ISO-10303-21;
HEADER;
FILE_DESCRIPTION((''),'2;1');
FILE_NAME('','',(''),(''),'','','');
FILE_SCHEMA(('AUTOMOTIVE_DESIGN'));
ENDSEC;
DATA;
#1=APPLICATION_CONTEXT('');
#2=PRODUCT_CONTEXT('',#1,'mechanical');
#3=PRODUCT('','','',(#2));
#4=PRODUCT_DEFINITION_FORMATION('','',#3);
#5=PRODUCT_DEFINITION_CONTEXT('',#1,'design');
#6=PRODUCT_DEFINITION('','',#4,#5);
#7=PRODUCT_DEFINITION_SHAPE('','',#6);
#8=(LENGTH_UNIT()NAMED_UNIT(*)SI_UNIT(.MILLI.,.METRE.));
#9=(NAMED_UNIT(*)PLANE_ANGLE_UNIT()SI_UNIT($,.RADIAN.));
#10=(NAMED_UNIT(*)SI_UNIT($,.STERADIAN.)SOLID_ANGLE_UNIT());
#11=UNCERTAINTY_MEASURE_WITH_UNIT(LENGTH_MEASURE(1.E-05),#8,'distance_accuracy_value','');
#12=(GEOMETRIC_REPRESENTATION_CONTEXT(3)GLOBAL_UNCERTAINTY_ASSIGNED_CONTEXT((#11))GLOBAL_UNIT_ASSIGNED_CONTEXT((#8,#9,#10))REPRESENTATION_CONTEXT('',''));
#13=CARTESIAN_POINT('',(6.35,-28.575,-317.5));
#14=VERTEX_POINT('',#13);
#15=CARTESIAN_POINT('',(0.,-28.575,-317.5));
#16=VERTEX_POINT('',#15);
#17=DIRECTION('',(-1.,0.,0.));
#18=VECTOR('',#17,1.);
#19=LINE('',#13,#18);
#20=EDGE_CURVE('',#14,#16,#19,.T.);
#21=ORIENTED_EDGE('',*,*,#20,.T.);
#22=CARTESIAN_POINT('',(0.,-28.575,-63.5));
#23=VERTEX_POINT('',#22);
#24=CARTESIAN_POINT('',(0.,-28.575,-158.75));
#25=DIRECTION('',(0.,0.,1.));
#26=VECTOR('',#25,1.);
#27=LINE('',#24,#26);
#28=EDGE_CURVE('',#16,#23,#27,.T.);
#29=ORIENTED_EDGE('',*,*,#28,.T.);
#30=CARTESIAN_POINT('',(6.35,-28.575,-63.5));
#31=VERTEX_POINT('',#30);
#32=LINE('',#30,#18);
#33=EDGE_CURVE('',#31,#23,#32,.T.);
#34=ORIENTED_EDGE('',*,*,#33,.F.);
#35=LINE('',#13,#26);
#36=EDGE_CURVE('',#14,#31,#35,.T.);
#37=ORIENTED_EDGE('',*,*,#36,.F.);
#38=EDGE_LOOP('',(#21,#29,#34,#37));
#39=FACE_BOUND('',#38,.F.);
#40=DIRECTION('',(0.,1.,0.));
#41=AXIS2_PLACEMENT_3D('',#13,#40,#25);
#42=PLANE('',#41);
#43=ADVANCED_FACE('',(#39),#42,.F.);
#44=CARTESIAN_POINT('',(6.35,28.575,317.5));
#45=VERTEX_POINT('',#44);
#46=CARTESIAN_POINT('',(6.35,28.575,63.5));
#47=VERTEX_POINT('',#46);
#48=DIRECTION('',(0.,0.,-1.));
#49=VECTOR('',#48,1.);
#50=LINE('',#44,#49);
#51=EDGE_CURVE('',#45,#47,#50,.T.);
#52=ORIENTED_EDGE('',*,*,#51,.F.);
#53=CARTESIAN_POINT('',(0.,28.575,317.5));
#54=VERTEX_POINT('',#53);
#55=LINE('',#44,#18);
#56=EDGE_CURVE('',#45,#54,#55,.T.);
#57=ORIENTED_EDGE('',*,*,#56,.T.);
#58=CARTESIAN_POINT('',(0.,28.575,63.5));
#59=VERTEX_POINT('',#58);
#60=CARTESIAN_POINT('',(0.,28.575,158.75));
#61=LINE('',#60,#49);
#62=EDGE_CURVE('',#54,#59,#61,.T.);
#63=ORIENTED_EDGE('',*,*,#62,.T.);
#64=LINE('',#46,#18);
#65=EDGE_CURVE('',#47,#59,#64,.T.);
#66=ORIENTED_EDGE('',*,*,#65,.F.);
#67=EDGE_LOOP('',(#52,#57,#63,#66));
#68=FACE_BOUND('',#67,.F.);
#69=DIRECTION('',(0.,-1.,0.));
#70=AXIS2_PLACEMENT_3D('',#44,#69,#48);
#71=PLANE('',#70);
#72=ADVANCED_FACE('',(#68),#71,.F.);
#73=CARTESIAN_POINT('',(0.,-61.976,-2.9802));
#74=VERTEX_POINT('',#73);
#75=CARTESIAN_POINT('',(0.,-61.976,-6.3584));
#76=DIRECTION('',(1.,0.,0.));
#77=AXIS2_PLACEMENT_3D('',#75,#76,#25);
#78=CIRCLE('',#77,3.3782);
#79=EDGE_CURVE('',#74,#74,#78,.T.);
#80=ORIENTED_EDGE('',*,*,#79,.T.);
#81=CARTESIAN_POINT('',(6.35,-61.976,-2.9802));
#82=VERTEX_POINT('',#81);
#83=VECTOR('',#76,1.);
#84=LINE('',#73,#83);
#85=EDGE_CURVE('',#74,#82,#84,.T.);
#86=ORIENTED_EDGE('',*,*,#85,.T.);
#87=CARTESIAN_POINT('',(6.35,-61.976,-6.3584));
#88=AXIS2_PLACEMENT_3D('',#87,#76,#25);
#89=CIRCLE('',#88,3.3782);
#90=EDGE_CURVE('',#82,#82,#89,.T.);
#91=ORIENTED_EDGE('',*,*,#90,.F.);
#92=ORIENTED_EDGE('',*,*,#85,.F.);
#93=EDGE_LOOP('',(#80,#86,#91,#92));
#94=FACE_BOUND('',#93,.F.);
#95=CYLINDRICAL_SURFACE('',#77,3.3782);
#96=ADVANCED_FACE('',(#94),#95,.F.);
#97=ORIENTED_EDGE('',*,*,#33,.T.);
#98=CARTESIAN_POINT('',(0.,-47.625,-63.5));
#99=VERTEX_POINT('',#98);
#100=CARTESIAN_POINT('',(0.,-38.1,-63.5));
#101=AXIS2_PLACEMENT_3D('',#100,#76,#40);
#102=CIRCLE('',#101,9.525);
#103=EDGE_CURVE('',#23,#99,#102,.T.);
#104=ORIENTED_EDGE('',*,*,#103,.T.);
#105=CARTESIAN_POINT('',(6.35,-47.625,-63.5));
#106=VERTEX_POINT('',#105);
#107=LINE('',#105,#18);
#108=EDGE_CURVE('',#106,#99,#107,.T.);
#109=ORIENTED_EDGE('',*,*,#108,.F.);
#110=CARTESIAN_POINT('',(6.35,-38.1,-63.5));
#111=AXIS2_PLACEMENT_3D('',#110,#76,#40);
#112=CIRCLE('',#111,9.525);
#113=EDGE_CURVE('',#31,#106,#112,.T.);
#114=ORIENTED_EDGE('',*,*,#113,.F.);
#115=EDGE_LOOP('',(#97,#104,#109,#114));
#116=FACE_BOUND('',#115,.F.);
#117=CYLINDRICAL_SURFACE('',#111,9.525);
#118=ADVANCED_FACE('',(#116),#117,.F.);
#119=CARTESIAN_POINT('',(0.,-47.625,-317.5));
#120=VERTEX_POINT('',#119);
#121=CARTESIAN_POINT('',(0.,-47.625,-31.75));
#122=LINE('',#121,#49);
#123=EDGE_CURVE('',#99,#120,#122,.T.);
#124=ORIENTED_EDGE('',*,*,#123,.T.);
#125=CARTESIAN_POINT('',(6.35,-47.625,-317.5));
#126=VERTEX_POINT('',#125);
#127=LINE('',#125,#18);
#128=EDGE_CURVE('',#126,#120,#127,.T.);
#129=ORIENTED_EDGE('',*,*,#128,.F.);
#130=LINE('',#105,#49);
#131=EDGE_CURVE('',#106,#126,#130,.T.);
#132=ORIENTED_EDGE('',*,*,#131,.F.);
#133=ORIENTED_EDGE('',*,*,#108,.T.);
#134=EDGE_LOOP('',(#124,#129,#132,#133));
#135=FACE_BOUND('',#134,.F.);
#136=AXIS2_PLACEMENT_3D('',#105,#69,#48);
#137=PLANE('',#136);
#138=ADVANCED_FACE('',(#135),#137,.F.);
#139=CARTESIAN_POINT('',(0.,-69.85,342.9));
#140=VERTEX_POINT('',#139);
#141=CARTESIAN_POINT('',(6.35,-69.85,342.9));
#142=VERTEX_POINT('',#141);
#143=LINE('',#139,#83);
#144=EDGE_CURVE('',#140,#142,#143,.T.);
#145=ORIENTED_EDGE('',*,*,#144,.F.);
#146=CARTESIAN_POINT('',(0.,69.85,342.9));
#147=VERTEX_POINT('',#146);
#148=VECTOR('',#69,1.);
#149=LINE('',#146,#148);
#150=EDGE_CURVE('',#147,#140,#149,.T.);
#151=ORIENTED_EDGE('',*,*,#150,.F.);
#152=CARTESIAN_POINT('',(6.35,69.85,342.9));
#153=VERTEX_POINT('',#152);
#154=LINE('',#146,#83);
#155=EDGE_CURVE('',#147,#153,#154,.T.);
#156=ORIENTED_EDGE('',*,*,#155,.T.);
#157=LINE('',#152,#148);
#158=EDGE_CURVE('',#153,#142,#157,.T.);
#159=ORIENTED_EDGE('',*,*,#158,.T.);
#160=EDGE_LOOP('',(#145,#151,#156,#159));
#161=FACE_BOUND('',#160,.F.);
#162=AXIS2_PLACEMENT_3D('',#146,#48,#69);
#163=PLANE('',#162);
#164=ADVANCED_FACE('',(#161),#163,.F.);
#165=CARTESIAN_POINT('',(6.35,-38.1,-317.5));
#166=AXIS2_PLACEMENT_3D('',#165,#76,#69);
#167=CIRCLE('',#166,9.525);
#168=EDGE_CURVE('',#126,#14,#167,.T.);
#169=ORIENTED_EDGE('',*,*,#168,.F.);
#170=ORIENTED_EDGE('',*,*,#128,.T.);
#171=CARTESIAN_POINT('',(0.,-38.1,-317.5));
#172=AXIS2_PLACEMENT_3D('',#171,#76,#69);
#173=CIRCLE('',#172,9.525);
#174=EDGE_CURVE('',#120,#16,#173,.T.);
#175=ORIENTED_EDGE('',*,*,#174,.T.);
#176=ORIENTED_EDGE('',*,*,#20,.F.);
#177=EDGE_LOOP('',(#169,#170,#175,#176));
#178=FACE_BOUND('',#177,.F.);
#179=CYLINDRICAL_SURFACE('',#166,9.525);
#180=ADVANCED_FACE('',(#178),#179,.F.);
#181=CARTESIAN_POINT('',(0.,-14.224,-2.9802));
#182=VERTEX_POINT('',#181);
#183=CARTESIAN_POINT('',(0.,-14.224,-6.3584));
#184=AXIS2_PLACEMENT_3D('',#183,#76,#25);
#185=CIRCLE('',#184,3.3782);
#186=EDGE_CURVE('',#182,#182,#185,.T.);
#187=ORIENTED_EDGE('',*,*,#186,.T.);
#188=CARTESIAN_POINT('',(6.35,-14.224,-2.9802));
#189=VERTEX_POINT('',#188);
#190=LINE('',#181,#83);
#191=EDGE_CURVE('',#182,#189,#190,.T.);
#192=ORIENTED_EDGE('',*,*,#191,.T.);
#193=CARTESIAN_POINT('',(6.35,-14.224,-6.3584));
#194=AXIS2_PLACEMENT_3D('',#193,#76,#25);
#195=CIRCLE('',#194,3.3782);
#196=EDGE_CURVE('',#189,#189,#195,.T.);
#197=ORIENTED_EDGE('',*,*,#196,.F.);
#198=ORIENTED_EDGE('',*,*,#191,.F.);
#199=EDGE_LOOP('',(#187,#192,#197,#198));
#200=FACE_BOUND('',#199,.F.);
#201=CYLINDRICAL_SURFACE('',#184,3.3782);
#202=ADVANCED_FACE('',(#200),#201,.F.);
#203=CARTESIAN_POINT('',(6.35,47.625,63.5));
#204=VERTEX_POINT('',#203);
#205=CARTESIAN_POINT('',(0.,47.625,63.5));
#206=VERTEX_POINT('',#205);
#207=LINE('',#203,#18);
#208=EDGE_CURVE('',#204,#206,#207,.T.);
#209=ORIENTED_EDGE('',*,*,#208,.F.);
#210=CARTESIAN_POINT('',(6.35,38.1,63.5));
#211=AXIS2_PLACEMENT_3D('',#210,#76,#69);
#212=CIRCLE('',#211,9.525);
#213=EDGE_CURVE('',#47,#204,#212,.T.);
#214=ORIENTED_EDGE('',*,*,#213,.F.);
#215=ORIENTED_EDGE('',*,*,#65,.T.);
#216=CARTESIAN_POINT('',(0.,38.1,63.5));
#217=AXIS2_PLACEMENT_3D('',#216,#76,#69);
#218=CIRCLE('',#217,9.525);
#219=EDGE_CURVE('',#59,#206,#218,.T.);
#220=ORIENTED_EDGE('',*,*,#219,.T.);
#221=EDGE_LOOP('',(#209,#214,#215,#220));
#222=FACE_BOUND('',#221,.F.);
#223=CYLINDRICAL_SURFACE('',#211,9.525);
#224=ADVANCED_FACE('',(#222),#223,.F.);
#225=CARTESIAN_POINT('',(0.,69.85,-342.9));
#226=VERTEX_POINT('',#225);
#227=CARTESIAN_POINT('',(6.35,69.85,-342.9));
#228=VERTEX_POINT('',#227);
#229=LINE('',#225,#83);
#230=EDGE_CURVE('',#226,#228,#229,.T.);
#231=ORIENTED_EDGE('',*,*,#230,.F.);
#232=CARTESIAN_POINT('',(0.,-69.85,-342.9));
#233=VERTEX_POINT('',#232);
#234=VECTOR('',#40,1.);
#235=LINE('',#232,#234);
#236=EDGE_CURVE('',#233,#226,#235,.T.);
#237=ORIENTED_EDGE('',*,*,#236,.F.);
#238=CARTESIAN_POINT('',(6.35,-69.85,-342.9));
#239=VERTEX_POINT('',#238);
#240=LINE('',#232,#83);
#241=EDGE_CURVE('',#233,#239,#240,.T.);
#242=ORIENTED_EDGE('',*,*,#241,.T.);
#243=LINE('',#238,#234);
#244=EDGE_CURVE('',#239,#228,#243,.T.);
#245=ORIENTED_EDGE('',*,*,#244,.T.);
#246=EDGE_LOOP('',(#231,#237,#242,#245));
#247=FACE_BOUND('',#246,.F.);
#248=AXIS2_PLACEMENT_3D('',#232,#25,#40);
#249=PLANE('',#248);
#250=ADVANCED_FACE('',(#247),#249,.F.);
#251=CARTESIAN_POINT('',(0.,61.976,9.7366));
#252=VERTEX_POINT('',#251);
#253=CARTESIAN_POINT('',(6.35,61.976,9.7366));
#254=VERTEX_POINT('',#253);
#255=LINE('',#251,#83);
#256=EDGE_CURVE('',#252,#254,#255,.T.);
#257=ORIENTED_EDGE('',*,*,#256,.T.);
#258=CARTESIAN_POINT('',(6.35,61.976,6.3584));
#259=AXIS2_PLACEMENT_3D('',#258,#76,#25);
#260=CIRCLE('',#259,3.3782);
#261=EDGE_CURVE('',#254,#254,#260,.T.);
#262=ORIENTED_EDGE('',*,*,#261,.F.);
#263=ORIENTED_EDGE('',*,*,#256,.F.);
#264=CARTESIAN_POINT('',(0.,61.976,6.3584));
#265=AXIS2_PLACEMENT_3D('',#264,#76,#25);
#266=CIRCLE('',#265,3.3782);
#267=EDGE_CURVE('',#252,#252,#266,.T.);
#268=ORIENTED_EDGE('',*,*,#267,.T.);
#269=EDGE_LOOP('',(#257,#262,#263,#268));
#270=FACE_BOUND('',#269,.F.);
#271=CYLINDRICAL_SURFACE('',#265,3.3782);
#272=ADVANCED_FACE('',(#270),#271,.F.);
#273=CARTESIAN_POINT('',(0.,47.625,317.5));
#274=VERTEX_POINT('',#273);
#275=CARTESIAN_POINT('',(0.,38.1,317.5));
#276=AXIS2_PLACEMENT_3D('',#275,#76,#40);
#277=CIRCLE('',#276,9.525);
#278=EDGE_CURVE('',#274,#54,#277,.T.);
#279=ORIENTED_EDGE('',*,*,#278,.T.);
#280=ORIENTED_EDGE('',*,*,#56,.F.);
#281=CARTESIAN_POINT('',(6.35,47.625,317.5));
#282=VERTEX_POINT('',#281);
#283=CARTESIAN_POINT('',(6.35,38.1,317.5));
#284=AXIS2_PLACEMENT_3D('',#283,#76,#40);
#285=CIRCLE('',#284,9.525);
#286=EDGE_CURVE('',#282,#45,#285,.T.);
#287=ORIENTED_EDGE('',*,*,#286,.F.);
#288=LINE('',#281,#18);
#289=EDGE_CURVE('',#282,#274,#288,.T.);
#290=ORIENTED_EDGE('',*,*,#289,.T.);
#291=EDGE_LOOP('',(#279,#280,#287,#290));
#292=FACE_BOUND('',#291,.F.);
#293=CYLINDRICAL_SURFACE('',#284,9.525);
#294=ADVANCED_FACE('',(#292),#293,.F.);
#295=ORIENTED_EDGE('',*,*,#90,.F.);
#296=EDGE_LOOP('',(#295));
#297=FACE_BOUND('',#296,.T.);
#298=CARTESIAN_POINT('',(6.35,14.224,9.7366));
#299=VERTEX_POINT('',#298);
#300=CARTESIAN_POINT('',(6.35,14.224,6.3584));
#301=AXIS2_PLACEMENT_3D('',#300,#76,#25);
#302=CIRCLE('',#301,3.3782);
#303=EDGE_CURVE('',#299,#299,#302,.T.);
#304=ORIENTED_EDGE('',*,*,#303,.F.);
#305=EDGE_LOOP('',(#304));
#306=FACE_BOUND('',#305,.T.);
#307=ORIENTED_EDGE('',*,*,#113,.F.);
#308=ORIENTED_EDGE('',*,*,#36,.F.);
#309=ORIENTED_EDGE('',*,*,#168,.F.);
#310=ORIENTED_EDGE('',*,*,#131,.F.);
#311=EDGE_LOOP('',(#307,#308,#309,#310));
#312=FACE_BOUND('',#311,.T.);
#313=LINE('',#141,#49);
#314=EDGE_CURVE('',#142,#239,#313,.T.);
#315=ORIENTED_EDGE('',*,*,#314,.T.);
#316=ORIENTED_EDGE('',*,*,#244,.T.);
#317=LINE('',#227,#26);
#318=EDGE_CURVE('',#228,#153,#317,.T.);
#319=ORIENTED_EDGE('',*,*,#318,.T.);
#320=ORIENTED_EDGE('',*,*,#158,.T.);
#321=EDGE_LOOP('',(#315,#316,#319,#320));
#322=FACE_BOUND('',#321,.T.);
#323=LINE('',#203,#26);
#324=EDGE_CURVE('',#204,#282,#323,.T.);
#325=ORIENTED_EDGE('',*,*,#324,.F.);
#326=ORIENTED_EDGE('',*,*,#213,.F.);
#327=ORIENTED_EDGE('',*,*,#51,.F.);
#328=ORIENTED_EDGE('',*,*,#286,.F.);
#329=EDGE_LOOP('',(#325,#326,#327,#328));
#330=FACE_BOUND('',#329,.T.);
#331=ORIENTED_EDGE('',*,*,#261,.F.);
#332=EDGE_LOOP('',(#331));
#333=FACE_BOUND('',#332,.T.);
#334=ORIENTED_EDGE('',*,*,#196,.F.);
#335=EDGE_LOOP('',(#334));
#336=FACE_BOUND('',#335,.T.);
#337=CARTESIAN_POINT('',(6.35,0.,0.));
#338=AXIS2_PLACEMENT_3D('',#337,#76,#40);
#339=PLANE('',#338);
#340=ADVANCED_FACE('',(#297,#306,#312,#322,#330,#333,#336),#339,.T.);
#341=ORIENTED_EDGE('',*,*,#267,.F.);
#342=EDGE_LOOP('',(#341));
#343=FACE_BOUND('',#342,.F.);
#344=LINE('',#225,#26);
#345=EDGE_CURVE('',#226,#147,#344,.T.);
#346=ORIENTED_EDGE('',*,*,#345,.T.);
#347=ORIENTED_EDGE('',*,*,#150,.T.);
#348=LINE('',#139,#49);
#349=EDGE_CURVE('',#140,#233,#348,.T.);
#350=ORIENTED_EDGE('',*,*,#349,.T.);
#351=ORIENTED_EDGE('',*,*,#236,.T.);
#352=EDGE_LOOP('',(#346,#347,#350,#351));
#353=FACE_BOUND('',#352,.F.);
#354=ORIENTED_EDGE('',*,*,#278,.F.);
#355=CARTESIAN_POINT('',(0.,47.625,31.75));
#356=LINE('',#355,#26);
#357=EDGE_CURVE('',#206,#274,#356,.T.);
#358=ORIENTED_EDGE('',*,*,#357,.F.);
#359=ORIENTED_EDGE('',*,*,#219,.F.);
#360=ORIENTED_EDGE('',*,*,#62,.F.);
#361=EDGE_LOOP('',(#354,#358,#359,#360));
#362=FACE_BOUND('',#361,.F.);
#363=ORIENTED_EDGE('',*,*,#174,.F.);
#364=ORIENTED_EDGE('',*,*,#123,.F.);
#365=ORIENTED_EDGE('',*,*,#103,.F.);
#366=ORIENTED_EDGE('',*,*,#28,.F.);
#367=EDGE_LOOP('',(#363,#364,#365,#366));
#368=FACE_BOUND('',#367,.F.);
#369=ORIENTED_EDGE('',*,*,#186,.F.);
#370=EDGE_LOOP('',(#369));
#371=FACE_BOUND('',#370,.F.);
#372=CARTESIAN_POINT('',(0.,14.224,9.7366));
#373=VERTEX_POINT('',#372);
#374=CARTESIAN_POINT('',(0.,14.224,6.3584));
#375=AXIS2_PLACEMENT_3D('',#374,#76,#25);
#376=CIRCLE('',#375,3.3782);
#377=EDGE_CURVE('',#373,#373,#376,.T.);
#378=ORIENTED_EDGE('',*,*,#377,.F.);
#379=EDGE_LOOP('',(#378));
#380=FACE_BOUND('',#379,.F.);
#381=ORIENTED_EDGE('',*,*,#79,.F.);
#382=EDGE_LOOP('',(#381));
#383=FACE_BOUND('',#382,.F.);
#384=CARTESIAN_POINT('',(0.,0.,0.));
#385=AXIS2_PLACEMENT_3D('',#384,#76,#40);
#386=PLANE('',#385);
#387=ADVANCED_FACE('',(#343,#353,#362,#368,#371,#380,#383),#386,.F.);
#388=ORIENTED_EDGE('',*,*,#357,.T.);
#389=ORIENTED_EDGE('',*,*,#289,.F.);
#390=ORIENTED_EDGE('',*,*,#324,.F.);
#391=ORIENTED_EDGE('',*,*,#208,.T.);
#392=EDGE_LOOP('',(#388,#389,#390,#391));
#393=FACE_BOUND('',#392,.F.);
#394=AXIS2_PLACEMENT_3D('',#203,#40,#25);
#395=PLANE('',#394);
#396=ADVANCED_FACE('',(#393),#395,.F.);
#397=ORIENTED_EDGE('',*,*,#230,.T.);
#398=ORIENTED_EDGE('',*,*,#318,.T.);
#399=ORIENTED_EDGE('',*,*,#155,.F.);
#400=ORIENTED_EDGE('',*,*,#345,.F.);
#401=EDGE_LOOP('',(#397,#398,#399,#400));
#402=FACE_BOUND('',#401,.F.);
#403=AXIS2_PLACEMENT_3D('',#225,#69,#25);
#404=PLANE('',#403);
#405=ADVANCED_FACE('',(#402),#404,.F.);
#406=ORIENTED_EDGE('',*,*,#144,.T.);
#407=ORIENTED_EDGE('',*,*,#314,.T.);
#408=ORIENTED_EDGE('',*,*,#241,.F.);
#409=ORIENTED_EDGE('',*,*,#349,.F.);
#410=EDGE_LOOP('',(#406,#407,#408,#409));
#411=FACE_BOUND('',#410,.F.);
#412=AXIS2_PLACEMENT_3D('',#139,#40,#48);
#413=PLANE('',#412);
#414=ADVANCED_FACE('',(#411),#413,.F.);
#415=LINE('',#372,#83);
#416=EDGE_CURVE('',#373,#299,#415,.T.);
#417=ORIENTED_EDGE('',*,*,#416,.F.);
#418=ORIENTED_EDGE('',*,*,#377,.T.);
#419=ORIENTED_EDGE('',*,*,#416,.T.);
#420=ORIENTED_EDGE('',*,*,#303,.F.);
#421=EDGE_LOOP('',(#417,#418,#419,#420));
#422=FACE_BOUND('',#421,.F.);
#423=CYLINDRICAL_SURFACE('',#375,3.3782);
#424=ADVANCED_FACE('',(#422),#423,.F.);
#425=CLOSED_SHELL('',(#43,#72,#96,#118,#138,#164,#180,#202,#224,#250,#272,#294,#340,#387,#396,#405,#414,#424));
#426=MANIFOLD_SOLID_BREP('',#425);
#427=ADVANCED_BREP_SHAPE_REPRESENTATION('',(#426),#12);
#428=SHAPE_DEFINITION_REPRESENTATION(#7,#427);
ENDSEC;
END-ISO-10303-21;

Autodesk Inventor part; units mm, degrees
ref_plane "YZ Plane" through (0, 0, 0) normal (1, 0, 0) x (0, 1, 0)
ref_plane "XZ Plane" through (0, 0, 0) normal (0, 1, 0) x (-1, 0, 0)
ref_plane "XY Plane" through (0, 0, 0) normal (0, 0, 1) x (1, 0, 0)
sketch "Sketch1" plane through (0, 0, 0) normal (1, 0, 0) x (0, 1, 0)
  line L0 (-69.85, 342.9) -> (-69.85, -342.9)
  line L1 (-69.85, -342.9) -> (69.85, -342.9)
  line L2 (69.85, -342.9) -> (69.85, 342.9)
  line L3 (69.85, 342.9) -> (-69.85, 342.9)
  line L4 (-69.85, 342.9) -> (69.85, -342.9) construction
  line L5 (-69.85, -342.9) -> (69.85, 342.9) construction
  point P0 (0, 0)
  dimension "width" = 685.8
  dimension "height" = 139.7
extrude "Extrusion1" add sketch "Sketch1" along normal blind 6.35
sketch "Sketch2" plane through (6.35, 0, 0) normal (1, 0, 0) x (0, 0, -1)
  line L0 (-317.5, 38.1) -> (-63.5, 38.1) construction
  line L1 (-317.5, 28.575) -> (-63.5, 28.575)
  line L2 (-63.5, 47.625) -> (-317.5, 47.625)
  arc A0 (-317.5, 47.625) -> (-317.5, 28.575) centre (-317.5, 38.1) ccw
  arc A1 (-63.5, 28.575) -> (-63.5, 47.625) centre (-63.5, 38.1) ccw
  line L3 (342.9, 69.85) -> (-342.9, 69.85) projected
  line L4 (-342.9, 69.85) -> (-342.9, -69.85) projected
  line L5 (63.5, -38.1) -> (317.5, -38.1) construction
  line L6 (63.5, -47.625) -> (317.5, -47.625)
  line L7 (317.5, -28.575) -> (63.5, -28.575)
  arc A2 (63.5, -28.575) -> (63.5, -47.625) centre (63.5, -38.1) ccw
  arc A3 (317.5, -47.625) -> (317.5, -28.575) centre (317.5, -38.1) ccw
  line L8 (-342.9, -69.85) -> (342.9, -69.85) projected
  line L9 (342.9, -69.85) -> (342.9, 69.85) projected
  point P0 (0, 0)
  point P1 (-190.5, 38.1)
  point P2 (190.5, -38.1)
  dimension "slot_center_from_top" = 31.75
  dimension "slot_center_from_side" = 152.4
  dimension "slot_radius" = 9.525
  dimension "d7" = 31.75
  dimension "d8" = 152.4
  dimension "d9" = 9.525
  dimension "length_of_slot" = 254
  dimension "d13" = 254
extrude "Extrusion2" cut sketch "Sketch2" against normal through all contours A0 L2 A1 L1 | A2 L7 A3 L6
sketch "Sketch3" plane through (0, 0, 0) normal (-1, 0, 0) x (0, 0, 1)
  line L0 (-342.9, 69.85) -> (342.9, 69.85) construction
  line L1 (6.3584, 69.85) -> (6.3584, -72.7678) construction
  line L2 (342.9, 69.85) -> (342.9, -69.85) construction
  line L3 (-6.3584, 69.85) -> (-6.3584, -69.85) construction
  line L4 (-342.9, -69.85) -> (-342.9, 69.85) construction
  line L5 (-6.3584, 61.976) -> (6.3584, 61.976) construction
  line L6 (-6.3584, -61.976) -> (6.3584, -61.976) construction
  line L7 (342.9, -69.85) -> (-342.9, -69.85) construction
  line L8 (-6.3584, 14.224) -> (6.3584, 14.224) construction
  line L9 (-6.3584, -14.224) -> (6.3584, -14.224) construction
  point P0 (0, 0)
  point P1 (80.6051, 237.827)
  point P2 (47.886, -92.9067)
  dimension "Vertical_Line_For_Bolt_Holes" = 336.5416
  dimension "d15" = 336.5416
  dimension "First_Horizontal_Line" = 7.874
  dimension "d17" = 7.874
  dimension "Second_Horizontal_Line" = 47.752
  dimension "d19" = 47.752
hole "Hole1" at (0, 61.976, 6.3584) at (0, -61.976, -6.3584) at (0, 237.827, 80.6051) at (0, -92.9067, 47.886) at (0, 14.224, 6.3584) at (0, -14.224, -6.3584) direction (1, 0, 0) diameter 6.7564 end through all
equation "\"d7\" = slot_center_from_top"
equation "\"d8\" = slot_center_from_side"
equation "\"d9\" = slot_radius"
equation "\"d13\" = length_of_slot"
equation "\"d15\" = Vertical_Line_For_Bolt_Holes"
equation "\"d17\" = First_Horizontal_Line"
equation "\"d19\" = Second_Horizontal_Line"
properties part number "5.5 x 27 x 1/4/ x 3/8" material "Aluminum 6061"
